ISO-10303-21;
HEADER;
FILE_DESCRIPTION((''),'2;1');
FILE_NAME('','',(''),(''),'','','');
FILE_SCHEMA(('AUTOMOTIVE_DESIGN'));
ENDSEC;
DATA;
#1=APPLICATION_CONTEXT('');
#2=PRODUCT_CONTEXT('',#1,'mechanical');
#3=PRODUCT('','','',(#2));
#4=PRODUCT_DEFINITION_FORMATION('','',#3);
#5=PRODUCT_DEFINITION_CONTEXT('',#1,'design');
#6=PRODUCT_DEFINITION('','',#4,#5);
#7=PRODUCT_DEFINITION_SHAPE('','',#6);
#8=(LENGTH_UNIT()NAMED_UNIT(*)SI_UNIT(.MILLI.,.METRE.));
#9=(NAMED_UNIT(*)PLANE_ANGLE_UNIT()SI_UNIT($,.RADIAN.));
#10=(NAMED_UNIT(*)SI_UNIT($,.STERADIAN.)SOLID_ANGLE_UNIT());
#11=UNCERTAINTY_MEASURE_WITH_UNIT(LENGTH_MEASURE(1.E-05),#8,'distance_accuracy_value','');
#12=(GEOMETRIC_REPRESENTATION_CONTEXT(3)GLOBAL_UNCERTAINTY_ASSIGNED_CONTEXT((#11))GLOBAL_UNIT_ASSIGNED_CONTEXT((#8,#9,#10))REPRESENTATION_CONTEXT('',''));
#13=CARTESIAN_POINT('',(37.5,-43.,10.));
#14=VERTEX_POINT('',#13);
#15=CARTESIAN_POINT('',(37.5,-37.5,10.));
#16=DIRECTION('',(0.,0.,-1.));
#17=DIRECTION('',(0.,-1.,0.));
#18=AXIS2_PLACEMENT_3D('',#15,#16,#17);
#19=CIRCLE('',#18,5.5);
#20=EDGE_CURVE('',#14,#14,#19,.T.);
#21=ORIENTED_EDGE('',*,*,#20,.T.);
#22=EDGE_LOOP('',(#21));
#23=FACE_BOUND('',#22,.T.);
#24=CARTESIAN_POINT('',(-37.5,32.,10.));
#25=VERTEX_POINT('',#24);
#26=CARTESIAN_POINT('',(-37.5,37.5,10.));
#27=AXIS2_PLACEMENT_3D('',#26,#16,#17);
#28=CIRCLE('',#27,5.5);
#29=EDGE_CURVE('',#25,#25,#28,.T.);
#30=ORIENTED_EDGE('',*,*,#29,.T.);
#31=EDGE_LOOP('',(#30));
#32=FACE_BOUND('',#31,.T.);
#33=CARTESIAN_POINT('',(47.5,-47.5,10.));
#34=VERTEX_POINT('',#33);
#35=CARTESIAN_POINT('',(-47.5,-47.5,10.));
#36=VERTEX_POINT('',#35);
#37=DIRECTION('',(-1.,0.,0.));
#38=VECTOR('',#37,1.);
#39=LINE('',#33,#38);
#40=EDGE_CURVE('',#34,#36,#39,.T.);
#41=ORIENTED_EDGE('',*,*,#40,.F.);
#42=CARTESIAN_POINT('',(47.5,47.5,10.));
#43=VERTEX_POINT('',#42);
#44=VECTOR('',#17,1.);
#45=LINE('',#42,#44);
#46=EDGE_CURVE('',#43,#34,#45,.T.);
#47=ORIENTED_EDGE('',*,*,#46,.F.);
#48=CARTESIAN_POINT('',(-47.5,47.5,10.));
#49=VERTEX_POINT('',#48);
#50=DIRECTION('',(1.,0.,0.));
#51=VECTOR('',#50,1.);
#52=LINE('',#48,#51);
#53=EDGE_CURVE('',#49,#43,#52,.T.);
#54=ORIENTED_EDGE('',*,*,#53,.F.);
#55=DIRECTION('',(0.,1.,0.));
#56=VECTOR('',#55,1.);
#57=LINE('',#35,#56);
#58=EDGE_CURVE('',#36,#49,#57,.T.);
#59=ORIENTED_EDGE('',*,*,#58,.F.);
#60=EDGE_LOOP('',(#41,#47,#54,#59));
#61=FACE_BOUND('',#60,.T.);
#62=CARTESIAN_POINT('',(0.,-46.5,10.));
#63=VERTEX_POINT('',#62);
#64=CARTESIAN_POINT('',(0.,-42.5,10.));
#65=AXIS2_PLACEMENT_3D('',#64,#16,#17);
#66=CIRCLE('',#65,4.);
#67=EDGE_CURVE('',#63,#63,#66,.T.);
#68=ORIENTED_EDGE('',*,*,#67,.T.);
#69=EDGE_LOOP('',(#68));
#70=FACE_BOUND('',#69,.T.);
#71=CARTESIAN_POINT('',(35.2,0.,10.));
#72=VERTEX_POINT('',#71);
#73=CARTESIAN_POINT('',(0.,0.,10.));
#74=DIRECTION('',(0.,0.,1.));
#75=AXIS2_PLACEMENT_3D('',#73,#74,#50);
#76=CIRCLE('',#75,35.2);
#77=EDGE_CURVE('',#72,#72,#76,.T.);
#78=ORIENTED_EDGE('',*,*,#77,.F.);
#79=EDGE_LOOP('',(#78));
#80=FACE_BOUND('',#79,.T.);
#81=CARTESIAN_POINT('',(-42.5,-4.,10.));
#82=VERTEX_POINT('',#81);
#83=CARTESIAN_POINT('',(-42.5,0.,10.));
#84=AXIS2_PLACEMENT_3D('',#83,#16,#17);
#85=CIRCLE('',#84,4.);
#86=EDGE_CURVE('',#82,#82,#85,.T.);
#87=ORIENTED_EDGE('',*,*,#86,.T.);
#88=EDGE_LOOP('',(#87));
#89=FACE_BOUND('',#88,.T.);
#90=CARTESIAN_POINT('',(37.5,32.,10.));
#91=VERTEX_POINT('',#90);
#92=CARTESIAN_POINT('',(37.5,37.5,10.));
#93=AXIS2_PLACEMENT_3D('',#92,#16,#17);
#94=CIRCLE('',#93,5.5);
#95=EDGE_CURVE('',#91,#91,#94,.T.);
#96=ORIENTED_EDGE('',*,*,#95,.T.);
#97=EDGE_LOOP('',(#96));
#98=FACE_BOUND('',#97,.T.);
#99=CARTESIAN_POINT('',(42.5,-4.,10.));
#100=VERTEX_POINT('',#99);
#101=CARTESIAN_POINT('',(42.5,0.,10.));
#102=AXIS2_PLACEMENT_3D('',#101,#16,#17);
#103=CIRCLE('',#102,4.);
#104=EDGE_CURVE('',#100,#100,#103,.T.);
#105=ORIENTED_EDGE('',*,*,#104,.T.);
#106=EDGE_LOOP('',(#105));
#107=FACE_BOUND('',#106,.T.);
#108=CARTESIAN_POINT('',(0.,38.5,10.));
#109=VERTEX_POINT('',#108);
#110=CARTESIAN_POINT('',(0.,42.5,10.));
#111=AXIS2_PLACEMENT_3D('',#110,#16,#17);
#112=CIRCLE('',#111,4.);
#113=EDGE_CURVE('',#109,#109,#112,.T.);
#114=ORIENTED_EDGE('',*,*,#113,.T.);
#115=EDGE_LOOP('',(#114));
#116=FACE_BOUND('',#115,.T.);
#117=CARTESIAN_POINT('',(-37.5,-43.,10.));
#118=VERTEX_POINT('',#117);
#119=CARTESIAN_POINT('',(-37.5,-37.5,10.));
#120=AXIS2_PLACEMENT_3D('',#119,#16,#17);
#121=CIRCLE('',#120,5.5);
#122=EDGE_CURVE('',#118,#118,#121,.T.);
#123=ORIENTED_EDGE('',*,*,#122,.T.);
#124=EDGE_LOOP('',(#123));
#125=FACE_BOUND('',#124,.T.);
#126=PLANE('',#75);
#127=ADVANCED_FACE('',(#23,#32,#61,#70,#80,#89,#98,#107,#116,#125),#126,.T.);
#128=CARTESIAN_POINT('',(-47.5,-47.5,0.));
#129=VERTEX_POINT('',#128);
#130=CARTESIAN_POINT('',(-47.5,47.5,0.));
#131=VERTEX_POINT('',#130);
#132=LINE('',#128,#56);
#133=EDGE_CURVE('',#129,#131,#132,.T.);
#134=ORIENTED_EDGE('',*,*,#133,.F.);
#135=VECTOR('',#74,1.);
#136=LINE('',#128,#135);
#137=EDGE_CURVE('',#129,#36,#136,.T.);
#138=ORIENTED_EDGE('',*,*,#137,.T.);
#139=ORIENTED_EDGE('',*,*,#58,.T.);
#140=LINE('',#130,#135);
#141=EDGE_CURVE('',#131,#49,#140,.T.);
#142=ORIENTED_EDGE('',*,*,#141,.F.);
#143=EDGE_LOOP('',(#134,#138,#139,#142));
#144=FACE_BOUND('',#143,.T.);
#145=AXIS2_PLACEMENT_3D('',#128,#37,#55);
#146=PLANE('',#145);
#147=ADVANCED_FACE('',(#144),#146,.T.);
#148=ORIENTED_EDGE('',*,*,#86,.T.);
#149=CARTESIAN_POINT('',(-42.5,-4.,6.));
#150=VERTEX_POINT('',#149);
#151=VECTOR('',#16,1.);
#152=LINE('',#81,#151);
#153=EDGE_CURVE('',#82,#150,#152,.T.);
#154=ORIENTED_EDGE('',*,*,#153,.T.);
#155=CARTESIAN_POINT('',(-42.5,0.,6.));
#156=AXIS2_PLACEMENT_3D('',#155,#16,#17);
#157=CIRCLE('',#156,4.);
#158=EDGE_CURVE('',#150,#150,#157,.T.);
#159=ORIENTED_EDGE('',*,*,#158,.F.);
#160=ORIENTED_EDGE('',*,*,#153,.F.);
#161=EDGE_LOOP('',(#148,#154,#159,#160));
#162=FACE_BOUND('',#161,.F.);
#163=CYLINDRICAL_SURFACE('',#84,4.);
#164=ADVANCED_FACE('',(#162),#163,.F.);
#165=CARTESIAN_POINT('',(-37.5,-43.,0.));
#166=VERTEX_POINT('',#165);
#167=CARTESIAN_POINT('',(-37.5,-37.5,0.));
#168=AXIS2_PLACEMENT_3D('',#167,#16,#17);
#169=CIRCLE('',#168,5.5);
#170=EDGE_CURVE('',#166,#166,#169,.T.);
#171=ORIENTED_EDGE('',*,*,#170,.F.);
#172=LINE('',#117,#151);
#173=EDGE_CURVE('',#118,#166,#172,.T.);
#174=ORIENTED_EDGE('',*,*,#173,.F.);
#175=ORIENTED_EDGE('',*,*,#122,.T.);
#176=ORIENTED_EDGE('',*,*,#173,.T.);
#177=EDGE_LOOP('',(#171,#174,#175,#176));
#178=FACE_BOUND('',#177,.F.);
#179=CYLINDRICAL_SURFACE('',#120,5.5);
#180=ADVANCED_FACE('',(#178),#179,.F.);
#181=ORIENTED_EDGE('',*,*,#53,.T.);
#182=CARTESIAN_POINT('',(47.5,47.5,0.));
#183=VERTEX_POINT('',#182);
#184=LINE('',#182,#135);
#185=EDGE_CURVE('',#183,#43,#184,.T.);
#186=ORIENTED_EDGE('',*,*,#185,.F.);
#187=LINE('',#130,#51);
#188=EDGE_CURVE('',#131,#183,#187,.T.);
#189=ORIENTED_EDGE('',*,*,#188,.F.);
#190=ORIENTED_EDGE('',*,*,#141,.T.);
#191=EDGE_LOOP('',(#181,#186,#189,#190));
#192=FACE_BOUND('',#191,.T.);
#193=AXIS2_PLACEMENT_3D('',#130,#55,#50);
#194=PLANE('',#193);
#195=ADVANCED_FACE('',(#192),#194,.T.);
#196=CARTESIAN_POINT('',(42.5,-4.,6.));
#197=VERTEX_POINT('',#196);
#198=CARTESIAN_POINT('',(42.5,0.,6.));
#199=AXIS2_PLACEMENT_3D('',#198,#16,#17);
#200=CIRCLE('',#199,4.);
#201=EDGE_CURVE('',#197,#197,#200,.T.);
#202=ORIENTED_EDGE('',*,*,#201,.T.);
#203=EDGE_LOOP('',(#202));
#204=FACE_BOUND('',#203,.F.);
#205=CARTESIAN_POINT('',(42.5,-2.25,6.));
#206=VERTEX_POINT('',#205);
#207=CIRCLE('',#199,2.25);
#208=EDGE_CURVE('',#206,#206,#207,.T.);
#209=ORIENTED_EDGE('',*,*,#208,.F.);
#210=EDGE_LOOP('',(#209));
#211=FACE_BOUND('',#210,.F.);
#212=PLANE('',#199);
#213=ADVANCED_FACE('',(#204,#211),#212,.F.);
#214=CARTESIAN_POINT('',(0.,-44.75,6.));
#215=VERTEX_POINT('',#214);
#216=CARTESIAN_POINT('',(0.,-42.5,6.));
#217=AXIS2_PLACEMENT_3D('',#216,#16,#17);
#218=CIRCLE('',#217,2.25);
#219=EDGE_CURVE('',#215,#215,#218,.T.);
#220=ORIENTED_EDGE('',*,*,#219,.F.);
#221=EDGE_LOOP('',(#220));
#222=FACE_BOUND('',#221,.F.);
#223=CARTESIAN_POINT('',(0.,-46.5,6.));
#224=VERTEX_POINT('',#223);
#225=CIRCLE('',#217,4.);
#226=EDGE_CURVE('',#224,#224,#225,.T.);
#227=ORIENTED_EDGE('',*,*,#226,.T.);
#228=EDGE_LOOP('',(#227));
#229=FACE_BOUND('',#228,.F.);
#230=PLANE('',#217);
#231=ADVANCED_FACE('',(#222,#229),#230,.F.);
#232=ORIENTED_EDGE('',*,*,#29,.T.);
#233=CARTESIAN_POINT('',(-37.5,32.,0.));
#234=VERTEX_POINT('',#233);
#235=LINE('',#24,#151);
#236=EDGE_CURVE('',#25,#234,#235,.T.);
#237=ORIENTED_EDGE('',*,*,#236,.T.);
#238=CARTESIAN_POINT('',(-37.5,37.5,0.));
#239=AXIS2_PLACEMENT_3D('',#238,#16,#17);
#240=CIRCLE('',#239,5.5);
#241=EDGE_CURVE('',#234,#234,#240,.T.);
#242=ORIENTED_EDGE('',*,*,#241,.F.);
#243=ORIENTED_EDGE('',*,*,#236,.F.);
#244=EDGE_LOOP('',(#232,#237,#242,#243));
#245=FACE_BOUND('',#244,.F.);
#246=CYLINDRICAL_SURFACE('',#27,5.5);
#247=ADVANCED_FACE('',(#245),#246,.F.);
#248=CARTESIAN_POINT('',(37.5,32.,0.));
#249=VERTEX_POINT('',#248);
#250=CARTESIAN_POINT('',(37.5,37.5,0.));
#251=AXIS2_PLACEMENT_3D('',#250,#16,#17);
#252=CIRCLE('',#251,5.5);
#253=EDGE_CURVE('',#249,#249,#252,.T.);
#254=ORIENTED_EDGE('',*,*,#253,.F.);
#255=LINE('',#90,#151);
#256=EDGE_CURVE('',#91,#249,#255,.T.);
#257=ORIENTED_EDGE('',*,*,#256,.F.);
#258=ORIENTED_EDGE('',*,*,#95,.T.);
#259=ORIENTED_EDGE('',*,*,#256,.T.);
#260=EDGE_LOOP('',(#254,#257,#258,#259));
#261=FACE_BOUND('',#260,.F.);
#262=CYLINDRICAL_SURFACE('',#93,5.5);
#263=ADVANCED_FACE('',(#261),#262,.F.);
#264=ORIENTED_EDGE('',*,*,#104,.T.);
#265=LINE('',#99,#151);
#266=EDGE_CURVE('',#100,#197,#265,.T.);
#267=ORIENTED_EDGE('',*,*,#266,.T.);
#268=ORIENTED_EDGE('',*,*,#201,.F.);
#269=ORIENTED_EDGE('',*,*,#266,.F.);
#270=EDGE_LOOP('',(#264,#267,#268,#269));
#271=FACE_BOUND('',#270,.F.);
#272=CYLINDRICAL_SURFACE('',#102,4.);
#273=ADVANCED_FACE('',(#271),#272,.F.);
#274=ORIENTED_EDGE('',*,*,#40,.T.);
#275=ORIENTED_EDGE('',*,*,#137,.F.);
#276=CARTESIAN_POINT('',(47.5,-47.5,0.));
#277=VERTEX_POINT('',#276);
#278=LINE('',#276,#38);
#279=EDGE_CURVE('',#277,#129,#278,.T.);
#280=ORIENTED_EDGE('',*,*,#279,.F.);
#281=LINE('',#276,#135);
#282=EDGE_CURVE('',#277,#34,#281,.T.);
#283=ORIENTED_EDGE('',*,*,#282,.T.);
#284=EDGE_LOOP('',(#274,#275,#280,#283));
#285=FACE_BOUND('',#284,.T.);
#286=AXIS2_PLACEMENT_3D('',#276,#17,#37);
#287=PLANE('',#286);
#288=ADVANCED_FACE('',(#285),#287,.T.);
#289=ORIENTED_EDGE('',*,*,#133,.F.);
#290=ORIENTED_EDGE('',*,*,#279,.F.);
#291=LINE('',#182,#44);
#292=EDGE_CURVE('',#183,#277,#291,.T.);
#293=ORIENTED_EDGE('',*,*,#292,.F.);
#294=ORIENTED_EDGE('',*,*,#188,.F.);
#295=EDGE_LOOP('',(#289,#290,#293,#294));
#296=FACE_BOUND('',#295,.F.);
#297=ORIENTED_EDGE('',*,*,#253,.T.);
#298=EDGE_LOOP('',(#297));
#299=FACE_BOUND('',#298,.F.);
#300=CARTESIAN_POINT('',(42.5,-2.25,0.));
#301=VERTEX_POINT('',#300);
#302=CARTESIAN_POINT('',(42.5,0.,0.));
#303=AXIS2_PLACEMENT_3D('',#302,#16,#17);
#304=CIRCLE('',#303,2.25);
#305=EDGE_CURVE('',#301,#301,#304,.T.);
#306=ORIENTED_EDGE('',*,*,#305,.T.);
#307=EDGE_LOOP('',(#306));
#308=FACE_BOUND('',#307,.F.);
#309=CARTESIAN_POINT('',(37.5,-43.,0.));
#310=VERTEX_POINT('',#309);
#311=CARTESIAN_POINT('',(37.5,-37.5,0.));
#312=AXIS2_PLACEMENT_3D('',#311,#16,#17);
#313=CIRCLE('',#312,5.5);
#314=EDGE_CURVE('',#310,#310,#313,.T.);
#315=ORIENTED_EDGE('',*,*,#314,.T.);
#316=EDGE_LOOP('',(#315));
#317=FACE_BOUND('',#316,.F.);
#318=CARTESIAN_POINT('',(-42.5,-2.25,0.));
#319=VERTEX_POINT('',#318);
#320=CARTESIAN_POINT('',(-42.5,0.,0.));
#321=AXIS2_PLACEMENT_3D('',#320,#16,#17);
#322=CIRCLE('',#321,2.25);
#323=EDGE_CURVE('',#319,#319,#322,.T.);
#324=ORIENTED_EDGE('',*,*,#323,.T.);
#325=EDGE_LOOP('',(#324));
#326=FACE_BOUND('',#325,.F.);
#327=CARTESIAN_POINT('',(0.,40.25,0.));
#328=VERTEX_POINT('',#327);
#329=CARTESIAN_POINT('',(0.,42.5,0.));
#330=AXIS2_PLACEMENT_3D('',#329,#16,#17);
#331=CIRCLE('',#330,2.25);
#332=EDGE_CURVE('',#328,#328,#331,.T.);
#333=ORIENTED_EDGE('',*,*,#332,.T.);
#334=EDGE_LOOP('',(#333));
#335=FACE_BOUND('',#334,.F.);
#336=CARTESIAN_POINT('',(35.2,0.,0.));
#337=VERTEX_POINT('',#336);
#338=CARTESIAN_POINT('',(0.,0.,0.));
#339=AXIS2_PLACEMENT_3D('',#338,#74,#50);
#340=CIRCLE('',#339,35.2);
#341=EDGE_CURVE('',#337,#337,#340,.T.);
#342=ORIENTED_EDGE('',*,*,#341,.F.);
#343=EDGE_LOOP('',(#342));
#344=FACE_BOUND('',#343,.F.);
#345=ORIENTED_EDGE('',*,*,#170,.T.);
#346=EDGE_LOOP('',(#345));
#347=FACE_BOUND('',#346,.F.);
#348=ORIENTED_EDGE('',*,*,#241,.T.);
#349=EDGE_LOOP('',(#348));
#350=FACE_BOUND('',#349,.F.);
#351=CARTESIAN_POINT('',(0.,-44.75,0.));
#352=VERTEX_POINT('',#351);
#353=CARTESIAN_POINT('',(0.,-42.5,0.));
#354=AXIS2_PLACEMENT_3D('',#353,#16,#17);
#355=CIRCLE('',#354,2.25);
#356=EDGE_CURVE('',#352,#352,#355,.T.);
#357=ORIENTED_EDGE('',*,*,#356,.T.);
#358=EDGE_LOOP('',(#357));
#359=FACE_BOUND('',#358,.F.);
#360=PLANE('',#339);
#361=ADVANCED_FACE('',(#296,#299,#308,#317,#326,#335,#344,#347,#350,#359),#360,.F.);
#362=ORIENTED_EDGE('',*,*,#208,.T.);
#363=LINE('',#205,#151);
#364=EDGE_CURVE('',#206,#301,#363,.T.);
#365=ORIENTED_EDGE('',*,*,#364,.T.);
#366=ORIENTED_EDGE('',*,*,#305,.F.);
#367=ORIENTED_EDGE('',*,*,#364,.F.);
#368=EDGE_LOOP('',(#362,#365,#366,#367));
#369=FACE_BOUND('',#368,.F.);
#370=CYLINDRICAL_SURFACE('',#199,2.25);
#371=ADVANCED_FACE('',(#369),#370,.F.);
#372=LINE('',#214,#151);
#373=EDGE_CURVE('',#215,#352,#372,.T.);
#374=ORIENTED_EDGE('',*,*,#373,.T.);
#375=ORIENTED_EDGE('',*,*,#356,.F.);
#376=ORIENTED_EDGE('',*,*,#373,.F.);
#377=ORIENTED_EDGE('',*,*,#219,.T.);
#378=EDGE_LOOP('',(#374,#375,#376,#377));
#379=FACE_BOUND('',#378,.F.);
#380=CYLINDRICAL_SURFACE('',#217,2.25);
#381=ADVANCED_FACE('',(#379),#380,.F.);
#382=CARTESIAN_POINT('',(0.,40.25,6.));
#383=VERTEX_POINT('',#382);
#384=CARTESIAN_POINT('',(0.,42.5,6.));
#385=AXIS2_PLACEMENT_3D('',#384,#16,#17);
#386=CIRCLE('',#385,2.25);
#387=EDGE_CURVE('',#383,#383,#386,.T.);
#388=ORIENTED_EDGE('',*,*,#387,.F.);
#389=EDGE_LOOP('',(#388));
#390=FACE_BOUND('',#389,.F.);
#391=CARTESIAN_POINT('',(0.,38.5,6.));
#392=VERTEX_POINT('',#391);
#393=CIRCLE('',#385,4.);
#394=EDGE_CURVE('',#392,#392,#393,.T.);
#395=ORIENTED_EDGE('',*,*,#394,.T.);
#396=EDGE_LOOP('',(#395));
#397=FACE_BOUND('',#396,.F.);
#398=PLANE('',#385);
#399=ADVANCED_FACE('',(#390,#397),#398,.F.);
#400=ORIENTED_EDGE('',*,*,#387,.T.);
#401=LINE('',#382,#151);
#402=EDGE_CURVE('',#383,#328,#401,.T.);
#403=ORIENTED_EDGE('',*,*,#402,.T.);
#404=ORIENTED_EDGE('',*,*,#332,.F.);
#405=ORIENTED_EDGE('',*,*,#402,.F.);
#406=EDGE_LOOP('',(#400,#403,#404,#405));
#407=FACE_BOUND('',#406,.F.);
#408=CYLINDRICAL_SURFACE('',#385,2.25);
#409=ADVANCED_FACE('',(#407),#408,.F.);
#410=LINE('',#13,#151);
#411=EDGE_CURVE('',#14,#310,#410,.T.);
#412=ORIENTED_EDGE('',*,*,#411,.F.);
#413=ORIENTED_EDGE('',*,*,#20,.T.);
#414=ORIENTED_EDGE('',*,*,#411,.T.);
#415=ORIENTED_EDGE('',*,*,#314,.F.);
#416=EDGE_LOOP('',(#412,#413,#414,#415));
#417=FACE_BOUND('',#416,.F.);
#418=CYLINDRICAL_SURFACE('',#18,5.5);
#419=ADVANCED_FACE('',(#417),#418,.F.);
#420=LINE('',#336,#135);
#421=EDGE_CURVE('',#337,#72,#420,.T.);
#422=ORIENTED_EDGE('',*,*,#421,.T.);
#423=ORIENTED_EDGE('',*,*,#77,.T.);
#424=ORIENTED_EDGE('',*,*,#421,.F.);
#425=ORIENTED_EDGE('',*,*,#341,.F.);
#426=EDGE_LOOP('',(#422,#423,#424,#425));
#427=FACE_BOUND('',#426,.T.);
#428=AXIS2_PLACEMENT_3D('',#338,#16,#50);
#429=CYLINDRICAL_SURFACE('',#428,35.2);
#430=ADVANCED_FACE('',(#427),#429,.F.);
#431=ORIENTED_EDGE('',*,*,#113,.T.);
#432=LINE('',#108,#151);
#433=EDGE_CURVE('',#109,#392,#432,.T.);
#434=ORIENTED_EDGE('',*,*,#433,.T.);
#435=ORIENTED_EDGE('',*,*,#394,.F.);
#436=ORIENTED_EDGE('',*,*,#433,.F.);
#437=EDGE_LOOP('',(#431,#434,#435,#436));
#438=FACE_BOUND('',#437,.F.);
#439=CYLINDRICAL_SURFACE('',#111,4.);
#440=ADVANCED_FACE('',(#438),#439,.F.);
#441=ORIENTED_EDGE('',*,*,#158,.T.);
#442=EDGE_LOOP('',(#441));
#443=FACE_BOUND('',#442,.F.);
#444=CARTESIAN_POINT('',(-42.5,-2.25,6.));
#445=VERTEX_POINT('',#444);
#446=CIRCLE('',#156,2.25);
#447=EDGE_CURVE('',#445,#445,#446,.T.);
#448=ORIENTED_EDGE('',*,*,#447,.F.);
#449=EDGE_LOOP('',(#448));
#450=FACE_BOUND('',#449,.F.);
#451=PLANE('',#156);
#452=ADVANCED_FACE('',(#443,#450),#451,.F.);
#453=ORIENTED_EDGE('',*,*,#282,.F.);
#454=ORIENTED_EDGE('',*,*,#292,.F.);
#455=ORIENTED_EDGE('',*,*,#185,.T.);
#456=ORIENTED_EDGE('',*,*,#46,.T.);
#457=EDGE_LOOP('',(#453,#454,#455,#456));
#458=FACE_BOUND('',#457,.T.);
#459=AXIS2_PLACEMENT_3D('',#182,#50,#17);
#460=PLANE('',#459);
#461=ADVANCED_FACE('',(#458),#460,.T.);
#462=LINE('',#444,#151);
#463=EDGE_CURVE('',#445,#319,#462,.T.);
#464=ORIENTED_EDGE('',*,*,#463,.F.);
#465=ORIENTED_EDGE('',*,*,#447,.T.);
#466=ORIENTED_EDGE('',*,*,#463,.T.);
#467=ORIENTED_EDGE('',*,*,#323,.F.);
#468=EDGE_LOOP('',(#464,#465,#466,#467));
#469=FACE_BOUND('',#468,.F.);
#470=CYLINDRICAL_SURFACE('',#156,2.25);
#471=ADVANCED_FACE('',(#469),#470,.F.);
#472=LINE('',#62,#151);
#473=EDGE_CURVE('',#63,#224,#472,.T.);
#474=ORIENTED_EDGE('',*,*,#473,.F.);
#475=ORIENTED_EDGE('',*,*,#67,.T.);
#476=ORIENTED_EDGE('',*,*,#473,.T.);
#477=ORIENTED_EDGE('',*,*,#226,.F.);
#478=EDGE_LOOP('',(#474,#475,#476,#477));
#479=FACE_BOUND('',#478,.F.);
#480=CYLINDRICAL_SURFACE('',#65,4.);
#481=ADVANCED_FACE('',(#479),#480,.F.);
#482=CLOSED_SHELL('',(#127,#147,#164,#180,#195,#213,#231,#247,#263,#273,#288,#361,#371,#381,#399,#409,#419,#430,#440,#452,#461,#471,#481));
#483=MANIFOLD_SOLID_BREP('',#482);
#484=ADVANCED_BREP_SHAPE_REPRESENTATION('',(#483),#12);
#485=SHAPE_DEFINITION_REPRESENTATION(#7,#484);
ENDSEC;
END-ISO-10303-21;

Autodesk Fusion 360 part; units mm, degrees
sketch "Sketch1" plane through (0, 0, 0) normal (0, 0, 1) x (1, 0, 0)
  line L0 (-47.5, 47.5) -> (47.5, 47.5)
  line L1 (47.5, 47.5) -> (47.5, -47.5)
  line L2 (47.5, -47.5) -> (-47.5, -47.5)
  line L3 (-47.5, -47.5) -> (-47.5, 47.5)
  line L4 (-47.5, 47.5) -> (47.5, -47.5) construction
  line L5 (-47.5, -47.5) -> (47.5, 47.5) construction
  circle A0 centre (0, 0) radius 35.2
  dimension "d1" = 95
  dimension "d2" = 95
  dimension "d3" = 70.4
extrude "Extrude1" add sketch "Sketch1" along normal blind 10
sketch "Sketch2" plane through (0, 0, 10) normal (0, 0, 1) x (-1, 0, 0)
  circle A0 centre (0, 0) radius 35.2
  line L0 (47.5, 47.5) -> (-47.5, 47.5)
  line L1 (-47.5, 47.5) -> (-47.5, -47.5)
  line L2 (-47.5, -47.5) -> (47.5, -47.5)
  line L3 (47.5, -47.5) -> (47.5, 47.5)
  line L4 (42.5, 0) -> (-42.5, 0) construction
  line L5 (0, -42.5) -> (0, 42.5) construction
  point P0 (0, -42.5)
  point P1 (42.5, 0)
  point P2 (0, 42.5)
  point P3 (-42.5, 0)
  dimension "d7" = 5
  dimension "d8" = 5
  dimension "d9" = 5
  dimension "d10" = 5
hole "Hole1" at (-42.5, 0, 10) at (0, 42.5, 10) at (42.5, 0, 10) at (0, -42.5, 10) direction (0, 0, -1) diameter 4.5 depth 15 tip angle 118 counterbore diameter 8 counterbore depth 4
sketch "Sketch3" plane through (0, 0, 10) normal (0, 0, 1) x (-1, 0, 0)
  circle A0 centre (-42.5, 0) radius 4
  circle A1 centre (42.5, 0) radius 4
  circle A2 centre (0, -42.5) radius 4
  circle A3 centre (0, 42.5) radius 4
  circle A4 centre (0, 0) radius 35.2
  line L0 (47.5, 47.5) -> (-47.5, 47.5)
  line L1 (-47.5, 47.5) -> (-47.5, -47.5)
  line L2 (-47.5, -47.5) -> (47.5, -47.5)
  line L3 (47.5, -47.5) -> (47.5, 47.5)
  line L4 (37.5, -37.5) -> (37.5, 37.5) construction
  line L5 (37.5, 37.5) -> (-37.5, 37.5) construction
  line L6 (-37.5, 37.5) -> (-37.5, -37.5) construction
  line L7 (-37.5, -37.5) -> (37.5, -37.5) construction
  point P0 (37.5, -37.5)
  point P1 (-37.5, -37.5)
  point P2 (-37.5, 37.5)
  point P3 (37.5, 37.5)
  dimension "d16" = 10
  dimension "d17" = 10
  dimension "d18" = 10
  dimension "d19" = 10
hole "Hole2" at (-37.5, 37.5, 10) at (37.5, 37.5, 10) at (37.5, -37.5, 10) at (-37.5, -37.5, 10) direction (0, 0, -1) diameter 11 end through all
equation "d2 = d1"
equation "d8 = d7"
equation "d9 = d7"
equation "d10 = d7"
equation "d17 = d16"
equation "d18 = d16"
equation "d19 = d16"
